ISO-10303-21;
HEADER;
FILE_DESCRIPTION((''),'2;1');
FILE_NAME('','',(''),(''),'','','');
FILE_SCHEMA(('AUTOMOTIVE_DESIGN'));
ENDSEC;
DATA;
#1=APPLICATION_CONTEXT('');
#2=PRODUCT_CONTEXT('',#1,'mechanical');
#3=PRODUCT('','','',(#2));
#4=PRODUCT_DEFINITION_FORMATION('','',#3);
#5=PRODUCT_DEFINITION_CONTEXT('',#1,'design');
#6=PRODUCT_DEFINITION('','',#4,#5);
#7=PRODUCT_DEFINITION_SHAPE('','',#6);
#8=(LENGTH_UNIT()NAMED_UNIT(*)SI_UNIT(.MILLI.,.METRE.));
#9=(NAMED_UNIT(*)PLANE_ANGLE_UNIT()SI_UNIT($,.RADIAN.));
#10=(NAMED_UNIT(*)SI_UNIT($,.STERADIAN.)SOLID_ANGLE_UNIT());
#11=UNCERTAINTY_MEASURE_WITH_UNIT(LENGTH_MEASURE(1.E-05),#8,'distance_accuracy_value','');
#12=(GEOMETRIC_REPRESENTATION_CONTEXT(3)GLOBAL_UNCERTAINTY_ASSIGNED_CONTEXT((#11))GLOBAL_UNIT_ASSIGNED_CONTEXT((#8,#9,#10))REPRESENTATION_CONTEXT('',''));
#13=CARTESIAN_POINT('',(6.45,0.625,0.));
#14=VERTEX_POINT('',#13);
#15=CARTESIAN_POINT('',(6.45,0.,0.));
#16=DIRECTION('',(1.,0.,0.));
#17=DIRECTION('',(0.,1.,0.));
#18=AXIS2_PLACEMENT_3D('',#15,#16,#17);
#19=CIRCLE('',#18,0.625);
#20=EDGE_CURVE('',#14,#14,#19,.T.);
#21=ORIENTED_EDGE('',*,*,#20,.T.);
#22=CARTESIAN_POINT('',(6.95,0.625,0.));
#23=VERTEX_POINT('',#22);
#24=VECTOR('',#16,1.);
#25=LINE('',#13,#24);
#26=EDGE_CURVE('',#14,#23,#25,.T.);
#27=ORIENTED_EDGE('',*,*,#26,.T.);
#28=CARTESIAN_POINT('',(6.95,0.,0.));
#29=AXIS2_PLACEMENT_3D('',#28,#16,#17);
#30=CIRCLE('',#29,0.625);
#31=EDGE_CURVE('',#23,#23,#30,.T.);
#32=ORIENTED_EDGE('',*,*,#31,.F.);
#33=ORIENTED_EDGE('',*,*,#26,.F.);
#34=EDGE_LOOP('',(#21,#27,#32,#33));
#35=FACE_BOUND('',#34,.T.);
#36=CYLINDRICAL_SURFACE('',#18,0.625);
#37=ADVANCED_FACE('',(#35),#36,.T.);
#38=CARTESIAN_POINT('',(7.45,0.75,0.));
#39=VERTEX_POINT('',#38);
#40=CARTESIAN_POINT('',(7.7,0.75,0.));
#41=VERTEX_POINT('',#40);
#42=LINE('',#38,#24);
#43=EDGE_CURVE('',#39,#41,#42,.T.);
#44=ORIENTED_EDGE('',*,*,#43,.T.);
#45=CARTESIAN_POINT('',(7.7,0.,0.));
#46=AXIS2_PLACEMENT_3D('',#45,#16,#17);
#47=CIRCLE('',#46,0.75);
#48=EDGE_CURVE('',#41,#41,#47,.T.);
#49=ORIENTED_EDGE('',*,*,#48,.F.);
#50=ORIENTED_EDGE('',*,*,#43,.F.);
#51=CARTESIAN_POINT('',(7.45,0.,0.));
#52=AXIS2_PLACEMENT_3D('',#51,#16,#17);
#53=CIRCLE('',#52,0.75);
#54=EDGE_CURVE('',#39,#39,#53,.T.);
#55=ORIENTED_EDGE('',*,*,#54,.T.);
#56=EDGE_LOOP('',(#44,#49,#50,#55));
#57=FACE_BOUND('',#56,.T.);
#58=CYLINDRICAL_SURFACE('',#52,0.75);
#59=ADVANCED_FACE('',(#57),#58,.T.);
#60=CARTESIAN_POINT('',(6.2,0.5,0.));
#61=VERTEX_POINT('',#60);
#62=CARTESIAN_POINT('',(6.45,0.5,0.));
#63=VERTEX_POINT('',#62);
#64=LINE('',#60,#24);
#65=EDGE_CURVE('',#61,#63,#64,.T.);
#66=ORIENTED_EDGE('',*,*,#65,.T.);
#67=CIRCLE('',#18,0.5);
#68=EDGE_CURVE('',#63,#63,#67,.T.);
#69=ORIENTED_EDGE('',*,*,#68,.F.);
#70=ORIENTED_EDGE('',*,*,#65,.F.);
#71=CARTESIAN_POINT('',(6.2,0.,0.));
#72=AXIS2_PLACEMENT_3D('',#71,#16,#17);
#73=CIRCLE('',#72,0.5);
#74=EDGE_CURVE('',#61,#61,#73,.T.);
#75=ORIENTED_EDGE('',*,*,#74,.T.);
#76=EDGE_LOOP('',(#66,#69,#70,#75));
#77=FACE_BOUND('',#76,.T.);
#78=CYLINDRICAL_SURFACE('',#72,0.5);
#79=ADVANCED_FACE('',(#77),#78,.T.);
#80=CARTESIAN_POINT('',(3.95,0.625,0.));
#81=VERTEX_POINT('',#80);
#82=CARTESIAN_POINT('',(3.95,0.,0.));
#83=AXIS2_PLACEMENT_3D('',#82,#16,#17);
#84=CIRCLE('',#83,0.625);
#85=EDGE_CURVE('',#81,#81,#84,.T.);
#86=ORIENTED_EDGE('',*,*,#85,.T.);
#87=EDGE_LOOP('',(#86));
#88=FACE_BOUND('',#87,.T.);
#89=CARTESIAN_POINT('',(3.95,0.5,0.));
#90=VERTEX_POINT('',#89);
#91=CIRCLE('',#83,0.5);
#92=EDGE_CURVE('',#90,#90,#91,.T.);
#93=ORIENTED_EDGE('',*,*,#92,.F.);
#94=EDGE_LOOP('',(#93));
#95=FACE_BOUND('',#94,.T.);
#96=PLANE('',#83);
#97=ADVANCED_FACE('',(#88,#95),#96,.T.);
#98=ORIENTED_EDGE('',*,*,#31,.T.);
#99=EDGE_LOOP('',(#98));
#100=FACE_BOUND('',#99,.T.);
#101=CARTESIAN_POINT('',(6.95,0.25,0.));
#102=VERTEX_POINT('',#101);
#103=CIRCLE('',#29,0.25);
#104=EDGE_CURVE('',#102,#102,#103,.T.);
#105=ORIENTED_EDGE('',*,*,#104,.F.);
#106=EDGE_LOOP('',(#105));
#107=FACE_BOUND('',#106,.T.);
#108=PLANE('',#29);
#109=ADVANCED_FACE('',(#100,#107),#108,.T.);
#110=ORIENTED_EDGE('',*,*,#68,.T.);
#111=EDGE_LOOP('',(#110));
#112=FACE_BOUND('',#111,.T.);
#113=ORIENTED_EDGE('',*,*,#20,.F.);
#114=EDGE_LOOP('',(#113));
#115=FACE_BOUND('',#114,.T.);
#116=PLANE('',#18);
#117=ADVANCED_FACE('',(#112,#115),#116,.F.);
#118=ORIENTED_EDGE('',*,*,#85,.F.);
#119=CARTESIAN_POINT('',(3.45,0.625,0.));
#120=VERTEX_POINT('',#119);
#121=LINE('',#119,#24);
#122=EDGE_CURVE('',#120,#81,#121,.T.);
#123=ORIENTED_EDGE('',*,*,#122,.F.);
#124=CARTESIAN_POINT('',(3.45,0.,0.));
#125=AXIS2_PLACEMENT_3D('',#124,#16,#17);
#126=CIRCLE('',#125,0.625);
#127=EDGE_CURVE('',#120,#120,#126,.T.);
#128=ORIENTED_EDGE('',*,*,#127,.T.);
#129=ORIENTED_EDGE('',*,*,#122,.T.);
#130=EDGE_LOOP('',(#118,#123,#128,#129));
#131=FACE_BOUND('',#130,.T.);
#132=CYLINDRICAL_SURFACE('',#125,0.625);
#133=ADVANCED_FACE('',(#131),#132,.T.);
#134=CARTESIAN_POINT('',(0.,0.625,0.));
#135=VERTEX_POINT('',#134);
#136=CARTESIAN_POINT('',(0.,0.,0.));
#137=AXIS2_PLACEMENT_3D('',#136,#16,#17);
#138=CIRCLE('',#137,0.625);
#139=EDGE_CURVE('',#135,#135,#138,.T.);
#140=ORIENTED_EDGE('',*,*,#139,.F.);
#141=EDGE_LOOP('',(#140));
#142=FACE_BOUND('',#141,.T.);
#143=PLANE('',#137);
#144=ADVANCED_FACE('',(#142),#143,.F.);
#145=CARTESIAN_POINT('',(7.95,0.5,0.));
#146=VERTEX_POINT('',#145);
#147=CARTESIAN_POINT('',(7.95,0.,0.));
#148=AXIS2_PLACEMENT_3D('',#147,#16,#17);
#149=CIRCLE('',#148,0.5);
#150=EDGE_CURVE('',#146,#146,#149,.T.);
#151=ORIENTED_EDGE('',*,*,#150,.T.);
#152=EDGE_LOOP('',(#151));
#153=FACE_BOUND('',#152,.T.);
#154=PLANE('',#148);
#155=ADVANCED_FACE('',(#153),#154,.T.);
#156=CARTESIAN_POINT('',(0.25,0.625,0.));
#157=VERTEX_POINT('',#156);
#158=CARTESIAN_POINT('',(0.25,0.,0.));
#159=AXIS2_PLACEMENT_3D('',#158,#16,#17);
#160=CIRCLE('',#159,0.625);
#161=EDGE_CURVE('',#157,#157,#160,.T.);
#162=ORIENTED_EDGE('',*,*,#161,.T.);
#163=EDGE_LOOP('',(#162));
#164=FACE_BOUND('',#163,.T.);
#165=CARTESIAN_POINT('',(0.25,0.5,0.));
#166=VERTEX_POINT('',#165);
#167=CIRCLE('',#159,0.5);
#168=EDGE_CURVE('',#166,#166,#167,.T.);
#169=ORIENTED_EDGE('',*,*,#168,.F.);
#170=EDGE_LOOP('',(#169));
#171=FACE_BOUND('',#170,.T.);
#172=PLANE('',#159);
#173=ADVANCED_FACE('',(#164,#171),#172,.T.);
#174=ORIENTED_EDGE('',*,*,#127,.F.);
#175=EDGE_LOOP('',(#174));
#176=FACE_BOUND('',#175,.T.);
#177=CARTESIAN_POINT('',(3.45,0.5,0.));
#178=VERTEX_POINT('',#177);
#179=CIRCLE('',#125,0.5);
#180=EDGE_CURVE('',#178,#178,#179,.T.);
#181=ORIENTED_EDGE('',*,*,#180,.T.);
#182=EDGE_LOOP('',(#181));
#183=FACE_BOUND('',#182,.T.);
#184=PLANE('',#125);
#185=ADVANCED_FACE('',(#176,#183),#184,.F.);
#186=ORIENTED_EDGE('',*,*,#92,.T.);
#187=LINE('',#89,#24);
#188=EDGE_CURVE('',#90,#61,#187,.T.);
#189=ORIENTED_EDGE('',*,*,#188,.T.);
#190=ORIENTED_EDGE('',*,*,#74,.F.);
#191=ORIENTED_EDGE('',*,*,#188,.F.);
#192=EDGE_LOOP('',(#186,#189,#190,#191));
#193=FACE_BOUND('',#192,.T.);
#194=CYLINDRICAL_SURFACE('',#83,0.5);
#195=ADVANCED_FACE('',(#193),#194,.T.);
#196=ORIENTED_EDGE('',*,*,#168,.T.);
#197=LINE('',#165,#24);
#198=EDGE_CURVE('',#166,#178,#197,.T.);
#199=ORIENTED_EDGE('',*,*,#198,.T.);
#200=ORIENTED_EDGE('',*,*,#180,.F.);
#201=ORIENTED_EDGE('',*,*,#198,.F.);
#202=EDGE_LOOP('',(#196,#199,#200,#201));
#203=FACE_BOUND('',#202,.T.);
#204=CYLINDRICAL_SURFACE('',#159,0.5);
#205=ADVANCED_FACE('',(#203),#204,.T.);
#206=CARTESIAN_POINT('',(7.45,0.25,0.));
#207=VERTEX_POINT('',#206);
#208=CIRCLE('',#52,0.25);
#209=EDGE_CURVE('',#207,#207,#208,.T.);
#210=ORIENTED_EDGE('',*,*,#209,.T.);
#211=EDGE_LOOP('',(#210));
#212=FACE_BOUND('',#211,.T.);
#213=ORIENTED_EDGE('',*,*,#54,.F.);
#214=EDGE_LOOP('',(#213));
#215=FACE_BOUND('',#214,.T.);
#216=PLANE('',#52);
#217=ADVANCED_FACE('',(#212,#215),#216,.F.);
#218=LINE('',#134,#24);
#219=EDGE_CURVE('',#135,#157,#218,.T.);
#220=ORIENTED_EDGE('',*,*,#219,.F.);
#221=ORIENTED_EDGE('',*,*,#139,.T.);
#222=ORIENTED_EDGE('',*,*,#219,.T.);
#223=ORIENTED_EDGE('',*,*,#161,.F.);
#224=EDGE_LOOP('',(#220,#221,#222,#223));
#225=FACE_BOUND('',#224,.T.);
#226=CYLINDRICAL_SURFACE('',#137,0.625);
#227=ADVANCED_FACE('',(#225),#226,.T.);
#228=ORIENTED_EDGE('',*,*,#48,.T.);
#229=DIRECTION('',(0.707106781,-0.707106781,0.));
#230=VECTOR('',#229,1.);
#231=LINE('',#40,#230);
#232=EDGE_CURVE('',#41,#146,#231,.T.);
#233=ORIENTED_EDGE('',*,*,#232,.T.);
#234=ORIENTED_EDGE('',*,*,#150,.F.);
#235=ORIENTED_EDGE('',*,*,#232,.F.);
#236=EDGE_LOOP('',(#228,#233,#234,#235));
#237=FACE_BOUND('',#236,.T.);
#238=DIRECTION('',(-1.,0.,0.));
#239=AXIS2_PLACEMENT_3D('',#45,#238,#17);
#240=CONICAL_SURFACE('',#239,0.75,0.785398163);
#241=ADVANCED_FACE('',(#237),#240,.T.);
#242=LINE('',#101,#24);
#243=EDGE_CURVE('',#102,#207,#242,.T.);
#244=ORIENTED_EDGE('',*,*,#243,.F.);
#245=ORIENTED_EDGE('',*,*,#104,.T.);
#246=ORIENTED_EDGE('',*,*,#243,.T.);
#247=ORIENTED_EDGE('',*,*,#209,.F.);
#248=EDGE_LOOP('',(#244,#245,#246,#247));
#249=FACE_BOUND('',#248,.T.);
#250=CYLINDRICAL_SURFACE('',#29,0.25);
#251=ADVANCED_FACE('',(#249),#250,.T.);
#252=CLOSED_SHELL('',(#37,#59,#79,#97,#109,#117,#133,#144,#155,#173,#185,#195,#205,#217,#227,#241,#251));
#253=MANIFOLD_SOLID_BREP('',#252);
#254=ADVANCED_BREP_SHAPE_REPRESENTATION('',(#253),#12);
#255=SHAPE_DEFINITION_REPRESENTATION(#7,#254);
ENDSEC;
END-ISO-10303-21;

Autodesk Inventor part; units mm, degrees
ref_plane "Start Plane" through (0, 0, 0) normal (1, 0, 0) x (0, 1, 0)
ref_plane "XZ Plane" through (0, 0, 0) normal (0, 1, 0) x (-1, 0, 0)
ref_plane "XY Plane" through (0, 0, 0) normal (0, 0, 1) x (1, 0, 0)
sketch "Main Sketch" plane through (0, 0, 0) normal (0, 0, 1) x (1, 0, 0)
  line L0 (0, 0) -> (7.95, 0)
  line L1 (0, 0) -> (0, 0.625)
  line L2 (3.45, 0.5) -> (3.45, 0.625)
  line L3 (0, 0.625) -> (0.25, 0.625)
  line L4 (3.95, 0.625) -> (3.95, 0.5)
  line L5 (3.45, 0.625) -> (3.95, 0.625)
  line L6 (7.45, 0.25) -> (7.45, 0.75)
  line L7 (6.95, 0.25) -> (7.45, 0.25)
  line L8 (7.95, 0.75) -> (7.95, 0)
  line L9 (7.45, 0.75) -> (7.95, 0.75)
  line L10 (0.25, 0.625) -> (0.25, 0.5)
  line L11 (0.25, 0.5) -> (3.45, 0.5)
  line L12 (3.7, 0.375) -> (6.2, 0.375)
  line L13 (6.2, 0.375) -> (6.2, 0.5)
  line L14 (6.7, 0.5) -> (6.7, 0.25)
  line L15 (6.2, 0.5) -> (6.7, 0.5)
  line L16 (3.95, 0.5) -> (6.45, 0.5)
  line L17 (6.45, 0.5) -> (6.45, 0.625)
  line L18 (6.95, 0.625) -> (6.95, 0.25)
  line L19 (6.45, 0.625) -> (6.95, 0.625)
  dimension "d3" = 1.25
  dimension "d6" = 1.25
  dimension "d7" = 0.5
  dimension "d10" = 1.5
  dimension "d15" = 1
  dimension "d22" = 0.75
  dimension "d23" = 1
  dimension "d24" = 1
  dimension "d25" = 1.25
revolve "Revolution1" add sketch "Main Sketch" angle 360 about axis through (0, 0, 0) along (1, 0, 0)
chamfer "Chamfer3" [suppressed]
chamfer "Chamfer1" distance 0.25 angle 45 1 edges at (7.95, -0.75, 0) measured on face at (7.6167, 0.7476, -0.0603)
equation "\"Length\" = 7.95"
properties part number "Shaft" material "Steel"
